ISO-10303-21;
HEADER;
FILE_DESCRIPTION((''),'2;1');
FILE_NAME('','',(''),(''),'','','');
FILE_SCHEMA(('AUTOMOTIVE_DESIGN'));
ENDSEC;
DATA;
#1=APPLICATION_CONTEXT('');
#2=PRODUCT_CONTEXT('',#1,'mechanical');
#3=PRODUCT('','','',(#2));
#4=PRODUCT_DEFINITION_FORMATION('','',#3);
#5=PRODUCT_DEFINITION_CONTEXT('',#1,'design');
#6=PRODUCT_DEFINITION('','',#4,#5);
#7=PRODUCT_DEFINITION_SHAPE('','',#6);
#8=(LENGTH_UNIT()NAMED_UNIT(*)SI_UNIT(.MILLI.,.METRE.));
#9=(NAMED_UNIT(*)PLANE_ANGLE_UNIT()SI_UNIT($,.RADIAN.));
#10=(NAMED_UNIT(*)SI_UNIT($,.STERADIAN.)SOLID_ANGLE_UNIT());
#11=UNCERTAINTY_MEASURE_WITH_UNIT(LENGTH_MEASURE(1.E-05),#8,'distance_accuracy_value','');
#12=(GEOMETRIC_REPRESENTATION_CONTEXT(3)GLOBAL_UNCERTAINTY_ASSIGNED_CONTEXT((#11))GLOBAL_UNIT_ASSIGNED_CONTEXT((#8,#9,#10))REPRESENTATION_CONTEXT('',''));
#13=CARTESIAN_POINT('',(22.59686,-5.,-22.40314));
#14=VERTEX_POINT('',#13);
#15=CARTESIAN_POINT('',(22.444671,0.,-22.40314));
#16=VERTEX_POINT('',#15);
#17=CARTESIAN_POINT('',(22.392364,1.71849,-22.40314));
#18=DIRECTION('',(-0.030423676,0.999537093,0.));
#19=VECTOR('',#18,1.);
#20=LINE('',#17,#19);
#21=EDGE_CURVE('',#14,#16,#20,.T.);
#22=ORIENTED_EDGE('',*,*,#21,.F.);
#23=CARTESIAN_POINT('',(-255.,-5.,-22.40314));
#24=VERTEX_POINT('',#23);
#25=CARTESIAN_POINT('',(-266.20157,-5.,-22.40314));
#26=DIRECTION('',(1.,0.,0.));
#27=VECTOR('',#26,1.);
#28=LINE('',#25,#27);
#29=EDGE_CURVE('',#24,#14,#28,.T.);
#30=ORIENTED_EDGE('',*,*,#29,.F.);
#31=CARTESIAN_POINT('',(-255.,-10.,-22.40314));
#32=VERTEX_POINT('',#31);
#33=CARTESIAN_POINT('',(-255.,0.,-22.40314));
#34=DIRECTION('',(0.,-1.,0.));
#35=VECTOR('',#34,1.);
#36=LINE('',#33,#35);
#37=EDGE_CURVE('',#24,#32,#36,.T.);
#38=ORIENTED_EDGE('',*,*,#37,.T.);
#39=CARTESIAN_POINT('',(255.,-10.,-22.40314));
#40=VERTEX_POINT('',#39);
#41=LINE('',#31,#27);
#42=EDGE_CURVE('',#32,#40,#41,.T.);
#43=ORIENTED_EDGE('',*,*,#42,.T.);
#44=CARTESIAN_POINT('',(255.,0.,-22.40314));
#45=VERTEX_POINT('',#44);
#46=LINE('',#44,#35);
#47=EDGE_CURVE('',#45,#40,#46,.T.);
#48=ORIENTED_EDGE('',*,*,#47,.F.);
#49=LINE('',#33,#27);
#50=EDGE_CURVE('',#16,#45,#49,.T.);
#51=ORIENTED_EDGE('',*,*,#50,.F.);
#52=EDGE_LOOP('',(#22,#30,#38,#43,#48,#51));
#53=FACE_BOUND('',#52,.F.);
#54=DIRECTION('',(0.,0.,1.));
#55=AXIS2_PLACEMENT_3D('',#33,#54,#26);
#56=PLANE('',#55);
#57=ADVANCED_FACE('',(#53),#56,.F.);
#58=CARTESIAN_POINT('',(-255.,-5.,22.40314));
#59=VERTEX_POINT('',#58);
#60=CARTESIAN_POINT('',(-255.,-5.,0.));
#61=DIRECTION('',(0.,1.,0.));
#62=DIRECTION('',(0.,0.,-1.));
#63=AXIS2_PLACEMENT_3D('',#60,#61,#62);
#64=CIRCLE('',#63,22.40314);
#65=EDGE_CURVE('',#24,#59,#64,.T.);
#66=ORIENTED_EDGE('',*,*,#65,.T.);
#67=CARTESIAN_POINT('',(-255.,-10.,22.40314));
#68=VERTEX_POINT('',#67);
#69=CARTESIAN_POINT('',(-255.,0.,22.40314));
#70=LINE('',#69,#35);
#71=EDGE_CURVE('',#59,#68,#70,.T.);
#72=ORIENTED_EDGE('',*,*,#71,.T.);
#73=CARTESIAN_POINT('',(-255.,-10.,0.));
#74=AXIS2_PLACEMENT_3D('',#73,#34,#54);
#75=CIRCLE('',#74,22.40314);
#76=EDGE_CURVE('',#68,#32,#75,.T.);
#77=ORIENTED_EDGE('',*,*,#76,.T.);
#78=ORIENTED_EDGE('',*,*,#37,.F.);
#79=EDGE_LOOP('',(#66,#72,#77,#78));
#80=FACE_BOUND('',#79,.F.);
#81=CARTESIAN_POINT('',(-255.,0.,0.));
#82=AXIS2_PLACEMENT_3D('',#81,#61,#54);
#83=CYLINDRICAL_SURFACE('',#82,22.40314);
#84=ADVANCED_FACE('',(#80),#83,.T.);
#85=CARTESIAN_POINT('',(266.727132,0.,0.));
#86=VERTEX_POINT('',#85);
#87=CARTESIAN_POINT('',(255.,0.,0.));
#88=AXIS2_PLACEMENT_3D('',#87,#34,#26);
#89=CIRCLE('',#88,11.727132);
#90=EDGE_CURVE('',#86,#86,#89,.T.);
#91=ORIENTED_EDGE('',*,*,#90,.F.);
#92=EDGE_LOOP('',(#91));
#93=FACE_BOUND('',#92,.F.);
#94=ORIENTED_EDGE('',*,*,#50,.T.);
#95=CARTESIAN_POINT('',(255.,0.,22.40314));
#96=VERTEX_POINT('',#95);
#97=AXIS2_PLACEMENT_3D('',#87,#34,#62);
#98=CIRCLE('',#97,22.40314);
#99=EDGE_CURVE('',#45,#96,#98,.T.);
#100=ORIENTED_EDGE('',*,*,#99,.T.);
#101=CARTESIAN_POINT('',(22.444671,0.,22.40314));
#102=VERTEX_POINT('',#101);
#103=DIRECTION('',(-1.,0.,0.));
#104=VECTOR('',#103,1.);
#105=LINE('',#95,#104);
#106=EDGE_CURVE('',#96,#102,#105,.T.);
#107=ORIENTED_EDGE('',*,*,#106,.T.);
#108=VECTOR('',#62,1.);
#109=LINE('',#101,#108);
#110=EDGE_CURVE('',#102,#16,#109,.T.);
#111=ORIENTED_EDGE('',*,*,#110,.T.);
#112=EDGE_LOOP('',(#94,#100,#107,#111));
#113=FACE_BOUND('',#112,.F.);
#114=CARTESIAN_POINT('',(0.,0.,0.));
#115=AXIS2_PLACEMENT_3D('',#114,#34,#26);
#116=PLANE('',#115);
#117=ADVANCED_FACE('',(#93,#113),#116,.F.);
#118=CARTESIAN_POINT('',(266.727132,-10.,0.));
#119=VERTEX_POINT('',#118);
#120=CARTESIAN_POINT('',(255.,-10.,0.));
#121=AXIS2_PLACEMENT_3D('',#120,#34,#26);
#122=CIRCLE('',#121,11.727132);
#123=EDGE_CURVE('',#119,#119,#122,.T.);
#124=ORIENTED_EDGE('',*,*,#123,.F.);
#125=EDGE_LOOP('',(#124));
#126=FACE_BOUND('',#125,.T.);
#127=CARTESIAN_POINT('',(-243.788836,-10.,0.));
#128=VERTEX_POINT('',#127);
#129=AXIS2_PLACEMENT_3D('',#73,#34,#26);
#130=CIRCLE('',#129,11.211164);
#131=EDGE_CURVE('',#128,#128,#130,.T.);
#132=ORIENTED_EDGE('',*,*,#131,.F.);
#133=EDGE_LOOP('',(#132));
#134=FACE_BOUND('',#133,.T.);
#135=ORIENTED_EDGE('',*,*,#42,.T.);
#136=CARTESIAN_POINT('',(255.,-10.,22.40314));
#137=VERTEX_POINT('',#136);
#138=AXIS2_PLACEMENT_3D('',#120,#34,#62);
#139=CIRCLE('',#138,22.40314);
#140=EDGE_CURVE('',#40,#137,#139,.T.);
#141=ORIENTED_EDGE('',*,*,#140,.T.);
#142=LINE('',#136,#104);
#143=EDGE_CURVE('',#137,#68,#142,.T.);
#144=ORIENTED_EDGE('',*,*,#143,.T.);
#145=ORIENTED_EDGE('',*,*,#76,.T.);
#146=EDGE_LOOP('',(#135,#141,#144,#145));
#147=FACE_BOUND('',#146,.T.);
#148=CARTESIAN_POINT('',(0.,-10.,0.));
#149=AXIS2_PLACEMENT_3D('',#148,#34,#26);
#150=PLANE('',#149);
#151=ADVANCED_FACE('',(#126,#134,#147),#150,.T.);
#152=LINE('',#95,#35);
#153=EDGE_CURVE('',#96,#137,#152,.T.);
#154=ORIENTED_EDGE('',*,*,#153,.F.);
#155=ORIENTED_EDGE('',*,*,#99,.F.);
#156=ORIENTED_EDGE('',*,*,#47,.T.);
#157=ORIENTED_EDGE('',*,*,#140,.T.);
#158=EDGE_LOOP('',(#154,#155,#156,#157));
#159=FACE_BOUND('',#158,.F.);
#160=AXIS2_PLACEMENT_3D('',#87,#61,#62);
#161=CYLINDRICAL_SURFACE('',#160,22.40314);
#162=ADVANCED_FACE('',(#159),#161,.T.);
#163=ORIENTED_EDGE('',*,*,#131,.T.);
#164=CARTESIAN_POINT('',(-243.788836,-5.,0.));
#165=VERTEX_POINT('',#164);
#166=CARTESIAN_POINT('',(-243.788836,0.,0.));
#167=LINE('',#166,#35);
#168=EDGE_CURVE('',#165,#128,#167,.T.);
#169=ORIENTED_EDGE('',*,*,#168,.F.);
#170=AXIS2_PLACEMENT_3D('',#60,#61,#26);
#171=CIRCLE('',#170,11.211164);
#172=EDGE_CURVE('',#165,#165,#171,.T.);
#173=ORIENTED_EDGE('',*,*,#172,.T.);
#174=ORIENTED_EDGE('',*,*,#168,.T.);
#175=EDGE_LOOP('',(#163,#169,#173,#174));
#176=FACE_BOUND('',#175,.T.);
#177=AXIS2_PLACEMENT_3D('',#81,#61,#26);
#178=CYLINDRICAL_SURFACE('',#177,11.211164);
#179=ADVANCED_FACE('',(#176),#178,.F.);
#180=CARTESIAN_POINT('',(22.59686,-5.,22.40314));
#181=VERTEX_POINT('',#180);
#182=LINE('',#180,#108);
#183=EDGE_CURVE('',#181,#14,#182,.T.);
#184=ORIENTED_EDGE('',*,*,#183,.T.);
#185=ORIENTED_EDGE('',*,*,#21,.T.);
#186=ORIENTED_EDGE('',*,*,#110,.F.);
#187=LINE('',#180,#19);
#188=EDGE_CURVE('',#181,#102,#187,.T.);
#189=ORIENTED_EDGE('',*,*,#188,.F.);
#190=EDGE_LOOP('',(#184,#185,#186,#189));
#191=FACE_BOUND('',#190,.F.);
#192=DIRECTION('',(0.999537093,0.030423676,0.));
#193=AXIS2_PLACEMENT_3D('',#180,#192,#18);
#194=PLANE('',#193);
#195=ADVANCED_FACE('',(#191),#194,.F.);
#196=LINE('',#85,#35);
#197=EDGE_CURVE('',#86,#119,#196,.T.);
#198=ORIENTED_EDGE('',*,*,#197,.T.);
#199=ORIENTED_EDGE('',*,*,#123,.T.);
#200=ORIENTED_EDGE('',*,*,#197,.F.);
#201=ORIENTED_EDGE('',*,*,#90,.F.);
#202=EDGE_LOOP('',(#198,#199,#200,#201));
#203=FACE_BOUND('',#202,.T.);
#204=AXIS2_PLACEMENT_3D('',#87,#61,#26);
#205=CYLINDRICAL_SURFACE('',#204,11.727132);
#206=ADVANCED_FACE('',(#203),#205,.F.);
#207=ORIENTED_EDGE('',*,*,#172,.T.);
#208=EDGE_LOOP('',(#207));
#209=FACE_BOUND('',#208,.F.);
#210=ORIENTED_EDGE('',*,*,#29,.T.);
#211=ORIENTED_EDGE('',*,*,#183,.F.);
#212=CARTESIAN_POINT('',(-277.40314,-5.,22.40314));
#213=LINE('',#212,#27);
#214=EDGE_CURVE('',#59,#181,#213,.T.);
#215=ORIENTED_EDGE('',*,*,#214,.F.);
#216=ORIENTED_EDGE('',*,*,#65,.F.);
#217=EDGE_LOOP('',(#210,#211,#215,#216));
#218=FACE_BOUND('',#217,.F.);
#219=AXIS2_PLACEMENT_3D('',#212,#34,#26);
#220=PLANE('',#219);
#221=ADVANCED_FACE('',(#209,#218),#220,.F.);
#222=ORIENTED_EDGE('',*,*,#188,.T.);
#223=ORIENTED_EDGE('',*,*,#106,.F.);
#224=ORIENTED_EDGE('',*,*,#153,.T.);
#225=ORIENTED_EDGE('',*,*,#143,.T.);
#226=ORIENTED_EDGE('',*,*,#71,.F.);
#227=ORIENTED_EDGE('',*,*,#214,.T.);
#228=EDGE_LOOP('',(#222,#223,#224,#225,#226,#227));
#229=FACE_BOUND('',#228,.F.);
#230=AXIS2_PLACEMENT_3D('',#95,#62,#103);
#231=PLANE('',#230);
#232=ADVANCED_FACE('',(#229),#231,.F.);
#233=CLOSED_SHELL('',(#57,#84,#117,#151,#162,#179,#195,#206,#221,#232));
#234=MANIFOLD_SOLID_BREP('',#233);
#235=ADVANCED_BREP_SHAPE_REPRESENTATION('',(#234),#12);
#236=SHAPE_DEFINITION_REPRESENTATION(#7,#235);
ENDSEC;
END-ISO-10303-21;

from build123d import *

# Parameters (mm, degrees)
F0_R     = 11.2111638742
F0_R_2   = 11.727131611
F1_DEPTH = 10
F2_W     = 22.4031397956
F2_H     = 5
F3_DEPTH = 150


with BuildPart() as f1:
    # F0 (on Front) → F1 (new body)
    with BuildSketch(Plane.XZ):
        with BuildLine():
            ThreePointArc((255, -22.4031397956), (277.4031397956, 0), (255, 22.4031397956))
            Line((255, 22.4031397956), (-255, 22.4031397956))
            ThreePointArc((-255, 22.4031397956), (-277.4031397956, 0), (-255, -22.4031397956))
            Line((-255, -22.4031397956), (255, -22.4031397956))
        make_face()
        with Locations((-255, 0)):
            Circle(F0_R, mode=Mode.SUBTRACT)
        with Locations((255, 0)):
            Circle(F0_R_2, mode=Mode.SUBTRACT)
    extrude(amount=F1_DEPTH)

    # F2 (on face) → F3 (cut)
    with BuildSketch(Plane.XY.offset(22.4031397956)):
        Polygon((-255, 0), (22.4446713773, 0), (22.1150012921, 10.8309555799), (-277.4031397956, 10.8309555799), (-277.4031397956, 0), align=None)
        Polygon((-255, -5), (22.5968602044, -5), (22.4446713773, 0), (-255, 0), align=None)
        with Locations((-266.2015698978, -2.5)):
            Rectangle(F2_W, F2_H)
    extrude(amount=-F3_DEPTH, mode=Mode.SUBTRACT)


solid = f1.part
